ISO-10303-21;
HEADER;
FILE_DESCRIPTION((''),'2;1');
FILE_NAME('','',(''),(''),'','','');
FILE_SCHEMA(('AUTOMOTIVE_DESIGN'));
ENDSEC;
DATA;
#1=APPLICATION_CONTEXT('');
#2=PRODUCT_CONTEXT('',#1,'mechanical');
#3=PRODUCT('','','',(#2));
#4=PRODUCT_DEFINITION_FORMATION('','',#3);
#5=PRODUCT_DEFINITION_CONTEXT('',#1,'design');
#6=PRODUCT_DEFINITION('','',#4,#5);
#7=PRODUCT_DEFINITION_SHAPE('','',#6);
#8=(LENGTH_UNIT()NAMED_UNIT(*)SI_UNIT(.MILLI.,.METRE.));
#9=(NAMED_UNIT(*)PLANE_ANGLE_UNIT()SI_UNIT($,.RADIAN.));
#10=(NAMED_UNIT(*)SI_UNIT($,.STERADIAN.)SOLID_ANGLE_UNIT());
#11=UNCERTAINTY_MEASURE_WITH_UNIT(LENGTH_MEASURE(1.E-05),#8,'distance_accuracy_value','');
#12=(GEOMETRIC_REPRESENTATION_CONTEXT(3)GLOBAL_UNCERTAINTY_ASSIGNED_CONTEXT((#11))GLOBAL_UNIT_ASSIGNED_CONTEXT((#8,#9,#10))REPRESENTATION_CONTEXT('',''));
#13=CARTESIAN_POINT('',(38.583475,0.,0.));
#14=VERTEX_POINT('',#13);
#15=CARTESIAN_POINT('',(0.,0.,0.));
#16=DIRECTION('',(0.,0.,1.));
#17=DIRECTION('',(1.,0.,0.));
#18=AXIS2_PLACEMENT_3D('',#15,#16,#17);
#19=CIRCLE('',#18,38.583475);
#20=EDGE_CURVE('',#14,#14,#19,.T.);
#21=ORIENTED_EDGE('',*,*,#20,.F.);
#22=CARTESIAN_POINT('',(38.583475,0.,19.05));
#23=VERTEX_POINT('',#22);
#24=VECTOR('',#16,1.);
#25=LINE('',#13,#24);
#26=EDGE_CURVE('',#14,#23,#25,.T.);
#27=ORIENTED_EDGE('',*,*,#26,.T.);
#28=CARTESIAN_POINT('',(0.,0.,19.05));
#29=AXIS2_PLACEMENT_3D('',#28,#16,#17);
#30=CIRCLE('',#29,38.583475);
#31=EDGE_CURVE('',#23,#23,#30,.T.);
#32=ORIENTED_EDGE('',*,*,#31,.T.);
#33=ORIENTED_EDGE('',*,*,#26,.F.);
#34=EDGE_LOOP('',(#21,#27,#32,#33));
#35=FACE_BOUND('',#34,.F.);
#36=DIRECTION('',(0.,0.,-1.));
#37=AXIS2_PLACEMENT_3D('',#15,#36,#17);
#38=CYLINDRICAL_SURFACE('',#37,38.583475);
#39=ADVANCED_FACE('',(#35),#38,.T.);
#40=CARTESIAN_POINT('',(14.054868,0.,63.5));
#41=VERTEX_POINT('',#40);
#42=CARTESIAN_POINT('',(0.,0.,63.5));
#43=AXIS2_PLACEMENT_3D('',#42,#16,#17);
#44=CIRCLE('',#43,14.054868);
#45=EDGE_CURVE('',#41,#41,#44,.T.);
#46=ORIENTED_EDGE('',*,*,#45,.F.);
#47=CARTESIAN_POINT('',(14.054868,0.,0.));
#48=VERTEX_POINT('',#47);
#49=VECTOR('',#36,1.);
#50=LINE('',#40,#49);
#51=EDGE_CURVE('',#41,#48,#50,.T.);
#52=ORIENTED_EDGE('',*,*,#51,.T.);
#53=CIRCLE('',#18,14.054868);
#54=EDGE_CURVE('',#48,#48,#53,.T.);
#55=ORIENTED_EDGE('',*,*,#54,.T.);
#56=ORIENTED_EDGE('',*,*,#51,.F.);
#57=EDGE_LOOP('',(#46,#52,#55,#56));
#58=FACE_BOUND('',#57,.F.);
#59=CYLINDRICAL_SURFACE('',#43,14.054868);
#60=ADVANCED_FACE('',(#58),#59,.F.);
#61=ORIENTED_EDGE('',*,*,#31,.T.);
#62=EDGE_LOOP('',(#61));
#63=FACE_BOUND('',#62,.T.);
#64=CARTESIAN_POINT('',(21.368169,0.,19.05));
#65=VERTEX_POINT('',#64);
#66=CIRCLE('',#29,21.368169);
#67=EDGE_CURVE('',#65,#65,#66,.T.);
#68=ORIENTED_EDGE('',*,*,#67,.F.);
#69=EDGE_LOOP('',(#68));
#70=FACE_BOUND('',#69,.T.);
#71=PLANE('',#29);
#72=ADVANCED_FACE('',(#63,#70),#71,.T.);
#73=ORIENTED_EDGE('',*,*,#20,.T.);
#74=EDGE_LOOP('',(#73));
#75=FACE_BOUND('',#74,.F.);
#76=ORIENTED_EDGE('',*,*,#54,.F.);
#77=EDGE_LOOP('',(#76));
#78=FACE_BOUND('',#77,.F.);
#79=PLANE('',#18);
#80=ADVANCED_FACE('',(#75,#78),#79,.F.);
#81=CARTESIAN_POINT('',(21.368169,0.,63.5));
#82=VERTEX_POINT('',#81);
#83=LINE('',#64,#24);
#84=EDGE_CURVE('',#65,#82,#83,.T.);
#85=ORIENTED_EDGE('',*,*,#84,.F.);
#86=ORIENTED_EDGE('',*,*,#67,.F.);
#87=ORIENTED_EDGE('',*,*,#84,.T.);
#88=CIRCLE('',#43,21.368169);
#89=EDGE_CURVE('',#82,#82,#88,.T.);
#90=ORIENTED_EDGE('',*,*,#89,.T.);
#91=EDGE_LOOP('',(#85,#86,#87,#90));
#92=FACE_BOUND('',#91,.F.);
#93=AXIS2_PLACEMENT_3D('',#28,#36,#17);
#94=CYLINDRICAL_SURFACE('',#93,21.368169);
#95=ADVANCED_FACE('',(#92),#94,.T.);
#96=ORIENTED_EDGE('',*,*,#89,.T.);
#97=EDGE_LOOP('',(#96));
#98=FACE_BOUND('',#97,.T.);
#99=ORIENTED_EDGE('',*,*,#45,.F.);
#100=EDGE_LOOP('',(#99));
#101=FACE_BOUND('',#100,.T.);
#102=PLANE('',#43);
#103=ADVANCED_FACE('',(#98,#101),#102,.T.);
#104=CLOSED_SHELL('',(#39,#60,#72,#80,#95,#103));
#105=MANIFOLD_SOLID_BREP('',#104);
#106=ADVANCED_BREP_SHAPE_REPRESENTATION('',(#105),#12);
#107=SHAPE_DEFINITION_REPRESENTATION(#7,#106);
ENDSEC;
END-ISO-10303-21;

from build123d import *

# Parameters (mm, degrees)
F0_R     = 38.583475
F1_DEPTH = 19.05
F2_R     = 21.368169
F3_DEPTH = 44.45
F4_R     = 14.054868
F5_DEPTH = 63.5
F6_DEPTH = 63.5


with BuildPart() as f1:
    # F0 (on Top) → F1 (new body)
    with BuildSketch(Plane.XY):
        Circle(F0_R)
    extrude(amount=F1_DEPTH)

    # F2 (on face) → F3 (join)
    with BuildSketch(Plane.XY.offset(19.05)):
        Circle(F2_R)
    extrude(amount=F3_DEPTH)

    # F4 (on face) → F5 (join)
    with BuildSketch(Plane.XY.offset(63.5)):
        Circle(F4_R)
    extrude(amount=-F5_DEPTH)

    # F4 (on face) → F6 (cut)
    with BuildSketch(Plane.XY.offset(63.5)):
        Circle(F4_R)
    extrude(amount=-F6_DEPTH, mode=Mode.SUBTRACT)


solid = f1.part
